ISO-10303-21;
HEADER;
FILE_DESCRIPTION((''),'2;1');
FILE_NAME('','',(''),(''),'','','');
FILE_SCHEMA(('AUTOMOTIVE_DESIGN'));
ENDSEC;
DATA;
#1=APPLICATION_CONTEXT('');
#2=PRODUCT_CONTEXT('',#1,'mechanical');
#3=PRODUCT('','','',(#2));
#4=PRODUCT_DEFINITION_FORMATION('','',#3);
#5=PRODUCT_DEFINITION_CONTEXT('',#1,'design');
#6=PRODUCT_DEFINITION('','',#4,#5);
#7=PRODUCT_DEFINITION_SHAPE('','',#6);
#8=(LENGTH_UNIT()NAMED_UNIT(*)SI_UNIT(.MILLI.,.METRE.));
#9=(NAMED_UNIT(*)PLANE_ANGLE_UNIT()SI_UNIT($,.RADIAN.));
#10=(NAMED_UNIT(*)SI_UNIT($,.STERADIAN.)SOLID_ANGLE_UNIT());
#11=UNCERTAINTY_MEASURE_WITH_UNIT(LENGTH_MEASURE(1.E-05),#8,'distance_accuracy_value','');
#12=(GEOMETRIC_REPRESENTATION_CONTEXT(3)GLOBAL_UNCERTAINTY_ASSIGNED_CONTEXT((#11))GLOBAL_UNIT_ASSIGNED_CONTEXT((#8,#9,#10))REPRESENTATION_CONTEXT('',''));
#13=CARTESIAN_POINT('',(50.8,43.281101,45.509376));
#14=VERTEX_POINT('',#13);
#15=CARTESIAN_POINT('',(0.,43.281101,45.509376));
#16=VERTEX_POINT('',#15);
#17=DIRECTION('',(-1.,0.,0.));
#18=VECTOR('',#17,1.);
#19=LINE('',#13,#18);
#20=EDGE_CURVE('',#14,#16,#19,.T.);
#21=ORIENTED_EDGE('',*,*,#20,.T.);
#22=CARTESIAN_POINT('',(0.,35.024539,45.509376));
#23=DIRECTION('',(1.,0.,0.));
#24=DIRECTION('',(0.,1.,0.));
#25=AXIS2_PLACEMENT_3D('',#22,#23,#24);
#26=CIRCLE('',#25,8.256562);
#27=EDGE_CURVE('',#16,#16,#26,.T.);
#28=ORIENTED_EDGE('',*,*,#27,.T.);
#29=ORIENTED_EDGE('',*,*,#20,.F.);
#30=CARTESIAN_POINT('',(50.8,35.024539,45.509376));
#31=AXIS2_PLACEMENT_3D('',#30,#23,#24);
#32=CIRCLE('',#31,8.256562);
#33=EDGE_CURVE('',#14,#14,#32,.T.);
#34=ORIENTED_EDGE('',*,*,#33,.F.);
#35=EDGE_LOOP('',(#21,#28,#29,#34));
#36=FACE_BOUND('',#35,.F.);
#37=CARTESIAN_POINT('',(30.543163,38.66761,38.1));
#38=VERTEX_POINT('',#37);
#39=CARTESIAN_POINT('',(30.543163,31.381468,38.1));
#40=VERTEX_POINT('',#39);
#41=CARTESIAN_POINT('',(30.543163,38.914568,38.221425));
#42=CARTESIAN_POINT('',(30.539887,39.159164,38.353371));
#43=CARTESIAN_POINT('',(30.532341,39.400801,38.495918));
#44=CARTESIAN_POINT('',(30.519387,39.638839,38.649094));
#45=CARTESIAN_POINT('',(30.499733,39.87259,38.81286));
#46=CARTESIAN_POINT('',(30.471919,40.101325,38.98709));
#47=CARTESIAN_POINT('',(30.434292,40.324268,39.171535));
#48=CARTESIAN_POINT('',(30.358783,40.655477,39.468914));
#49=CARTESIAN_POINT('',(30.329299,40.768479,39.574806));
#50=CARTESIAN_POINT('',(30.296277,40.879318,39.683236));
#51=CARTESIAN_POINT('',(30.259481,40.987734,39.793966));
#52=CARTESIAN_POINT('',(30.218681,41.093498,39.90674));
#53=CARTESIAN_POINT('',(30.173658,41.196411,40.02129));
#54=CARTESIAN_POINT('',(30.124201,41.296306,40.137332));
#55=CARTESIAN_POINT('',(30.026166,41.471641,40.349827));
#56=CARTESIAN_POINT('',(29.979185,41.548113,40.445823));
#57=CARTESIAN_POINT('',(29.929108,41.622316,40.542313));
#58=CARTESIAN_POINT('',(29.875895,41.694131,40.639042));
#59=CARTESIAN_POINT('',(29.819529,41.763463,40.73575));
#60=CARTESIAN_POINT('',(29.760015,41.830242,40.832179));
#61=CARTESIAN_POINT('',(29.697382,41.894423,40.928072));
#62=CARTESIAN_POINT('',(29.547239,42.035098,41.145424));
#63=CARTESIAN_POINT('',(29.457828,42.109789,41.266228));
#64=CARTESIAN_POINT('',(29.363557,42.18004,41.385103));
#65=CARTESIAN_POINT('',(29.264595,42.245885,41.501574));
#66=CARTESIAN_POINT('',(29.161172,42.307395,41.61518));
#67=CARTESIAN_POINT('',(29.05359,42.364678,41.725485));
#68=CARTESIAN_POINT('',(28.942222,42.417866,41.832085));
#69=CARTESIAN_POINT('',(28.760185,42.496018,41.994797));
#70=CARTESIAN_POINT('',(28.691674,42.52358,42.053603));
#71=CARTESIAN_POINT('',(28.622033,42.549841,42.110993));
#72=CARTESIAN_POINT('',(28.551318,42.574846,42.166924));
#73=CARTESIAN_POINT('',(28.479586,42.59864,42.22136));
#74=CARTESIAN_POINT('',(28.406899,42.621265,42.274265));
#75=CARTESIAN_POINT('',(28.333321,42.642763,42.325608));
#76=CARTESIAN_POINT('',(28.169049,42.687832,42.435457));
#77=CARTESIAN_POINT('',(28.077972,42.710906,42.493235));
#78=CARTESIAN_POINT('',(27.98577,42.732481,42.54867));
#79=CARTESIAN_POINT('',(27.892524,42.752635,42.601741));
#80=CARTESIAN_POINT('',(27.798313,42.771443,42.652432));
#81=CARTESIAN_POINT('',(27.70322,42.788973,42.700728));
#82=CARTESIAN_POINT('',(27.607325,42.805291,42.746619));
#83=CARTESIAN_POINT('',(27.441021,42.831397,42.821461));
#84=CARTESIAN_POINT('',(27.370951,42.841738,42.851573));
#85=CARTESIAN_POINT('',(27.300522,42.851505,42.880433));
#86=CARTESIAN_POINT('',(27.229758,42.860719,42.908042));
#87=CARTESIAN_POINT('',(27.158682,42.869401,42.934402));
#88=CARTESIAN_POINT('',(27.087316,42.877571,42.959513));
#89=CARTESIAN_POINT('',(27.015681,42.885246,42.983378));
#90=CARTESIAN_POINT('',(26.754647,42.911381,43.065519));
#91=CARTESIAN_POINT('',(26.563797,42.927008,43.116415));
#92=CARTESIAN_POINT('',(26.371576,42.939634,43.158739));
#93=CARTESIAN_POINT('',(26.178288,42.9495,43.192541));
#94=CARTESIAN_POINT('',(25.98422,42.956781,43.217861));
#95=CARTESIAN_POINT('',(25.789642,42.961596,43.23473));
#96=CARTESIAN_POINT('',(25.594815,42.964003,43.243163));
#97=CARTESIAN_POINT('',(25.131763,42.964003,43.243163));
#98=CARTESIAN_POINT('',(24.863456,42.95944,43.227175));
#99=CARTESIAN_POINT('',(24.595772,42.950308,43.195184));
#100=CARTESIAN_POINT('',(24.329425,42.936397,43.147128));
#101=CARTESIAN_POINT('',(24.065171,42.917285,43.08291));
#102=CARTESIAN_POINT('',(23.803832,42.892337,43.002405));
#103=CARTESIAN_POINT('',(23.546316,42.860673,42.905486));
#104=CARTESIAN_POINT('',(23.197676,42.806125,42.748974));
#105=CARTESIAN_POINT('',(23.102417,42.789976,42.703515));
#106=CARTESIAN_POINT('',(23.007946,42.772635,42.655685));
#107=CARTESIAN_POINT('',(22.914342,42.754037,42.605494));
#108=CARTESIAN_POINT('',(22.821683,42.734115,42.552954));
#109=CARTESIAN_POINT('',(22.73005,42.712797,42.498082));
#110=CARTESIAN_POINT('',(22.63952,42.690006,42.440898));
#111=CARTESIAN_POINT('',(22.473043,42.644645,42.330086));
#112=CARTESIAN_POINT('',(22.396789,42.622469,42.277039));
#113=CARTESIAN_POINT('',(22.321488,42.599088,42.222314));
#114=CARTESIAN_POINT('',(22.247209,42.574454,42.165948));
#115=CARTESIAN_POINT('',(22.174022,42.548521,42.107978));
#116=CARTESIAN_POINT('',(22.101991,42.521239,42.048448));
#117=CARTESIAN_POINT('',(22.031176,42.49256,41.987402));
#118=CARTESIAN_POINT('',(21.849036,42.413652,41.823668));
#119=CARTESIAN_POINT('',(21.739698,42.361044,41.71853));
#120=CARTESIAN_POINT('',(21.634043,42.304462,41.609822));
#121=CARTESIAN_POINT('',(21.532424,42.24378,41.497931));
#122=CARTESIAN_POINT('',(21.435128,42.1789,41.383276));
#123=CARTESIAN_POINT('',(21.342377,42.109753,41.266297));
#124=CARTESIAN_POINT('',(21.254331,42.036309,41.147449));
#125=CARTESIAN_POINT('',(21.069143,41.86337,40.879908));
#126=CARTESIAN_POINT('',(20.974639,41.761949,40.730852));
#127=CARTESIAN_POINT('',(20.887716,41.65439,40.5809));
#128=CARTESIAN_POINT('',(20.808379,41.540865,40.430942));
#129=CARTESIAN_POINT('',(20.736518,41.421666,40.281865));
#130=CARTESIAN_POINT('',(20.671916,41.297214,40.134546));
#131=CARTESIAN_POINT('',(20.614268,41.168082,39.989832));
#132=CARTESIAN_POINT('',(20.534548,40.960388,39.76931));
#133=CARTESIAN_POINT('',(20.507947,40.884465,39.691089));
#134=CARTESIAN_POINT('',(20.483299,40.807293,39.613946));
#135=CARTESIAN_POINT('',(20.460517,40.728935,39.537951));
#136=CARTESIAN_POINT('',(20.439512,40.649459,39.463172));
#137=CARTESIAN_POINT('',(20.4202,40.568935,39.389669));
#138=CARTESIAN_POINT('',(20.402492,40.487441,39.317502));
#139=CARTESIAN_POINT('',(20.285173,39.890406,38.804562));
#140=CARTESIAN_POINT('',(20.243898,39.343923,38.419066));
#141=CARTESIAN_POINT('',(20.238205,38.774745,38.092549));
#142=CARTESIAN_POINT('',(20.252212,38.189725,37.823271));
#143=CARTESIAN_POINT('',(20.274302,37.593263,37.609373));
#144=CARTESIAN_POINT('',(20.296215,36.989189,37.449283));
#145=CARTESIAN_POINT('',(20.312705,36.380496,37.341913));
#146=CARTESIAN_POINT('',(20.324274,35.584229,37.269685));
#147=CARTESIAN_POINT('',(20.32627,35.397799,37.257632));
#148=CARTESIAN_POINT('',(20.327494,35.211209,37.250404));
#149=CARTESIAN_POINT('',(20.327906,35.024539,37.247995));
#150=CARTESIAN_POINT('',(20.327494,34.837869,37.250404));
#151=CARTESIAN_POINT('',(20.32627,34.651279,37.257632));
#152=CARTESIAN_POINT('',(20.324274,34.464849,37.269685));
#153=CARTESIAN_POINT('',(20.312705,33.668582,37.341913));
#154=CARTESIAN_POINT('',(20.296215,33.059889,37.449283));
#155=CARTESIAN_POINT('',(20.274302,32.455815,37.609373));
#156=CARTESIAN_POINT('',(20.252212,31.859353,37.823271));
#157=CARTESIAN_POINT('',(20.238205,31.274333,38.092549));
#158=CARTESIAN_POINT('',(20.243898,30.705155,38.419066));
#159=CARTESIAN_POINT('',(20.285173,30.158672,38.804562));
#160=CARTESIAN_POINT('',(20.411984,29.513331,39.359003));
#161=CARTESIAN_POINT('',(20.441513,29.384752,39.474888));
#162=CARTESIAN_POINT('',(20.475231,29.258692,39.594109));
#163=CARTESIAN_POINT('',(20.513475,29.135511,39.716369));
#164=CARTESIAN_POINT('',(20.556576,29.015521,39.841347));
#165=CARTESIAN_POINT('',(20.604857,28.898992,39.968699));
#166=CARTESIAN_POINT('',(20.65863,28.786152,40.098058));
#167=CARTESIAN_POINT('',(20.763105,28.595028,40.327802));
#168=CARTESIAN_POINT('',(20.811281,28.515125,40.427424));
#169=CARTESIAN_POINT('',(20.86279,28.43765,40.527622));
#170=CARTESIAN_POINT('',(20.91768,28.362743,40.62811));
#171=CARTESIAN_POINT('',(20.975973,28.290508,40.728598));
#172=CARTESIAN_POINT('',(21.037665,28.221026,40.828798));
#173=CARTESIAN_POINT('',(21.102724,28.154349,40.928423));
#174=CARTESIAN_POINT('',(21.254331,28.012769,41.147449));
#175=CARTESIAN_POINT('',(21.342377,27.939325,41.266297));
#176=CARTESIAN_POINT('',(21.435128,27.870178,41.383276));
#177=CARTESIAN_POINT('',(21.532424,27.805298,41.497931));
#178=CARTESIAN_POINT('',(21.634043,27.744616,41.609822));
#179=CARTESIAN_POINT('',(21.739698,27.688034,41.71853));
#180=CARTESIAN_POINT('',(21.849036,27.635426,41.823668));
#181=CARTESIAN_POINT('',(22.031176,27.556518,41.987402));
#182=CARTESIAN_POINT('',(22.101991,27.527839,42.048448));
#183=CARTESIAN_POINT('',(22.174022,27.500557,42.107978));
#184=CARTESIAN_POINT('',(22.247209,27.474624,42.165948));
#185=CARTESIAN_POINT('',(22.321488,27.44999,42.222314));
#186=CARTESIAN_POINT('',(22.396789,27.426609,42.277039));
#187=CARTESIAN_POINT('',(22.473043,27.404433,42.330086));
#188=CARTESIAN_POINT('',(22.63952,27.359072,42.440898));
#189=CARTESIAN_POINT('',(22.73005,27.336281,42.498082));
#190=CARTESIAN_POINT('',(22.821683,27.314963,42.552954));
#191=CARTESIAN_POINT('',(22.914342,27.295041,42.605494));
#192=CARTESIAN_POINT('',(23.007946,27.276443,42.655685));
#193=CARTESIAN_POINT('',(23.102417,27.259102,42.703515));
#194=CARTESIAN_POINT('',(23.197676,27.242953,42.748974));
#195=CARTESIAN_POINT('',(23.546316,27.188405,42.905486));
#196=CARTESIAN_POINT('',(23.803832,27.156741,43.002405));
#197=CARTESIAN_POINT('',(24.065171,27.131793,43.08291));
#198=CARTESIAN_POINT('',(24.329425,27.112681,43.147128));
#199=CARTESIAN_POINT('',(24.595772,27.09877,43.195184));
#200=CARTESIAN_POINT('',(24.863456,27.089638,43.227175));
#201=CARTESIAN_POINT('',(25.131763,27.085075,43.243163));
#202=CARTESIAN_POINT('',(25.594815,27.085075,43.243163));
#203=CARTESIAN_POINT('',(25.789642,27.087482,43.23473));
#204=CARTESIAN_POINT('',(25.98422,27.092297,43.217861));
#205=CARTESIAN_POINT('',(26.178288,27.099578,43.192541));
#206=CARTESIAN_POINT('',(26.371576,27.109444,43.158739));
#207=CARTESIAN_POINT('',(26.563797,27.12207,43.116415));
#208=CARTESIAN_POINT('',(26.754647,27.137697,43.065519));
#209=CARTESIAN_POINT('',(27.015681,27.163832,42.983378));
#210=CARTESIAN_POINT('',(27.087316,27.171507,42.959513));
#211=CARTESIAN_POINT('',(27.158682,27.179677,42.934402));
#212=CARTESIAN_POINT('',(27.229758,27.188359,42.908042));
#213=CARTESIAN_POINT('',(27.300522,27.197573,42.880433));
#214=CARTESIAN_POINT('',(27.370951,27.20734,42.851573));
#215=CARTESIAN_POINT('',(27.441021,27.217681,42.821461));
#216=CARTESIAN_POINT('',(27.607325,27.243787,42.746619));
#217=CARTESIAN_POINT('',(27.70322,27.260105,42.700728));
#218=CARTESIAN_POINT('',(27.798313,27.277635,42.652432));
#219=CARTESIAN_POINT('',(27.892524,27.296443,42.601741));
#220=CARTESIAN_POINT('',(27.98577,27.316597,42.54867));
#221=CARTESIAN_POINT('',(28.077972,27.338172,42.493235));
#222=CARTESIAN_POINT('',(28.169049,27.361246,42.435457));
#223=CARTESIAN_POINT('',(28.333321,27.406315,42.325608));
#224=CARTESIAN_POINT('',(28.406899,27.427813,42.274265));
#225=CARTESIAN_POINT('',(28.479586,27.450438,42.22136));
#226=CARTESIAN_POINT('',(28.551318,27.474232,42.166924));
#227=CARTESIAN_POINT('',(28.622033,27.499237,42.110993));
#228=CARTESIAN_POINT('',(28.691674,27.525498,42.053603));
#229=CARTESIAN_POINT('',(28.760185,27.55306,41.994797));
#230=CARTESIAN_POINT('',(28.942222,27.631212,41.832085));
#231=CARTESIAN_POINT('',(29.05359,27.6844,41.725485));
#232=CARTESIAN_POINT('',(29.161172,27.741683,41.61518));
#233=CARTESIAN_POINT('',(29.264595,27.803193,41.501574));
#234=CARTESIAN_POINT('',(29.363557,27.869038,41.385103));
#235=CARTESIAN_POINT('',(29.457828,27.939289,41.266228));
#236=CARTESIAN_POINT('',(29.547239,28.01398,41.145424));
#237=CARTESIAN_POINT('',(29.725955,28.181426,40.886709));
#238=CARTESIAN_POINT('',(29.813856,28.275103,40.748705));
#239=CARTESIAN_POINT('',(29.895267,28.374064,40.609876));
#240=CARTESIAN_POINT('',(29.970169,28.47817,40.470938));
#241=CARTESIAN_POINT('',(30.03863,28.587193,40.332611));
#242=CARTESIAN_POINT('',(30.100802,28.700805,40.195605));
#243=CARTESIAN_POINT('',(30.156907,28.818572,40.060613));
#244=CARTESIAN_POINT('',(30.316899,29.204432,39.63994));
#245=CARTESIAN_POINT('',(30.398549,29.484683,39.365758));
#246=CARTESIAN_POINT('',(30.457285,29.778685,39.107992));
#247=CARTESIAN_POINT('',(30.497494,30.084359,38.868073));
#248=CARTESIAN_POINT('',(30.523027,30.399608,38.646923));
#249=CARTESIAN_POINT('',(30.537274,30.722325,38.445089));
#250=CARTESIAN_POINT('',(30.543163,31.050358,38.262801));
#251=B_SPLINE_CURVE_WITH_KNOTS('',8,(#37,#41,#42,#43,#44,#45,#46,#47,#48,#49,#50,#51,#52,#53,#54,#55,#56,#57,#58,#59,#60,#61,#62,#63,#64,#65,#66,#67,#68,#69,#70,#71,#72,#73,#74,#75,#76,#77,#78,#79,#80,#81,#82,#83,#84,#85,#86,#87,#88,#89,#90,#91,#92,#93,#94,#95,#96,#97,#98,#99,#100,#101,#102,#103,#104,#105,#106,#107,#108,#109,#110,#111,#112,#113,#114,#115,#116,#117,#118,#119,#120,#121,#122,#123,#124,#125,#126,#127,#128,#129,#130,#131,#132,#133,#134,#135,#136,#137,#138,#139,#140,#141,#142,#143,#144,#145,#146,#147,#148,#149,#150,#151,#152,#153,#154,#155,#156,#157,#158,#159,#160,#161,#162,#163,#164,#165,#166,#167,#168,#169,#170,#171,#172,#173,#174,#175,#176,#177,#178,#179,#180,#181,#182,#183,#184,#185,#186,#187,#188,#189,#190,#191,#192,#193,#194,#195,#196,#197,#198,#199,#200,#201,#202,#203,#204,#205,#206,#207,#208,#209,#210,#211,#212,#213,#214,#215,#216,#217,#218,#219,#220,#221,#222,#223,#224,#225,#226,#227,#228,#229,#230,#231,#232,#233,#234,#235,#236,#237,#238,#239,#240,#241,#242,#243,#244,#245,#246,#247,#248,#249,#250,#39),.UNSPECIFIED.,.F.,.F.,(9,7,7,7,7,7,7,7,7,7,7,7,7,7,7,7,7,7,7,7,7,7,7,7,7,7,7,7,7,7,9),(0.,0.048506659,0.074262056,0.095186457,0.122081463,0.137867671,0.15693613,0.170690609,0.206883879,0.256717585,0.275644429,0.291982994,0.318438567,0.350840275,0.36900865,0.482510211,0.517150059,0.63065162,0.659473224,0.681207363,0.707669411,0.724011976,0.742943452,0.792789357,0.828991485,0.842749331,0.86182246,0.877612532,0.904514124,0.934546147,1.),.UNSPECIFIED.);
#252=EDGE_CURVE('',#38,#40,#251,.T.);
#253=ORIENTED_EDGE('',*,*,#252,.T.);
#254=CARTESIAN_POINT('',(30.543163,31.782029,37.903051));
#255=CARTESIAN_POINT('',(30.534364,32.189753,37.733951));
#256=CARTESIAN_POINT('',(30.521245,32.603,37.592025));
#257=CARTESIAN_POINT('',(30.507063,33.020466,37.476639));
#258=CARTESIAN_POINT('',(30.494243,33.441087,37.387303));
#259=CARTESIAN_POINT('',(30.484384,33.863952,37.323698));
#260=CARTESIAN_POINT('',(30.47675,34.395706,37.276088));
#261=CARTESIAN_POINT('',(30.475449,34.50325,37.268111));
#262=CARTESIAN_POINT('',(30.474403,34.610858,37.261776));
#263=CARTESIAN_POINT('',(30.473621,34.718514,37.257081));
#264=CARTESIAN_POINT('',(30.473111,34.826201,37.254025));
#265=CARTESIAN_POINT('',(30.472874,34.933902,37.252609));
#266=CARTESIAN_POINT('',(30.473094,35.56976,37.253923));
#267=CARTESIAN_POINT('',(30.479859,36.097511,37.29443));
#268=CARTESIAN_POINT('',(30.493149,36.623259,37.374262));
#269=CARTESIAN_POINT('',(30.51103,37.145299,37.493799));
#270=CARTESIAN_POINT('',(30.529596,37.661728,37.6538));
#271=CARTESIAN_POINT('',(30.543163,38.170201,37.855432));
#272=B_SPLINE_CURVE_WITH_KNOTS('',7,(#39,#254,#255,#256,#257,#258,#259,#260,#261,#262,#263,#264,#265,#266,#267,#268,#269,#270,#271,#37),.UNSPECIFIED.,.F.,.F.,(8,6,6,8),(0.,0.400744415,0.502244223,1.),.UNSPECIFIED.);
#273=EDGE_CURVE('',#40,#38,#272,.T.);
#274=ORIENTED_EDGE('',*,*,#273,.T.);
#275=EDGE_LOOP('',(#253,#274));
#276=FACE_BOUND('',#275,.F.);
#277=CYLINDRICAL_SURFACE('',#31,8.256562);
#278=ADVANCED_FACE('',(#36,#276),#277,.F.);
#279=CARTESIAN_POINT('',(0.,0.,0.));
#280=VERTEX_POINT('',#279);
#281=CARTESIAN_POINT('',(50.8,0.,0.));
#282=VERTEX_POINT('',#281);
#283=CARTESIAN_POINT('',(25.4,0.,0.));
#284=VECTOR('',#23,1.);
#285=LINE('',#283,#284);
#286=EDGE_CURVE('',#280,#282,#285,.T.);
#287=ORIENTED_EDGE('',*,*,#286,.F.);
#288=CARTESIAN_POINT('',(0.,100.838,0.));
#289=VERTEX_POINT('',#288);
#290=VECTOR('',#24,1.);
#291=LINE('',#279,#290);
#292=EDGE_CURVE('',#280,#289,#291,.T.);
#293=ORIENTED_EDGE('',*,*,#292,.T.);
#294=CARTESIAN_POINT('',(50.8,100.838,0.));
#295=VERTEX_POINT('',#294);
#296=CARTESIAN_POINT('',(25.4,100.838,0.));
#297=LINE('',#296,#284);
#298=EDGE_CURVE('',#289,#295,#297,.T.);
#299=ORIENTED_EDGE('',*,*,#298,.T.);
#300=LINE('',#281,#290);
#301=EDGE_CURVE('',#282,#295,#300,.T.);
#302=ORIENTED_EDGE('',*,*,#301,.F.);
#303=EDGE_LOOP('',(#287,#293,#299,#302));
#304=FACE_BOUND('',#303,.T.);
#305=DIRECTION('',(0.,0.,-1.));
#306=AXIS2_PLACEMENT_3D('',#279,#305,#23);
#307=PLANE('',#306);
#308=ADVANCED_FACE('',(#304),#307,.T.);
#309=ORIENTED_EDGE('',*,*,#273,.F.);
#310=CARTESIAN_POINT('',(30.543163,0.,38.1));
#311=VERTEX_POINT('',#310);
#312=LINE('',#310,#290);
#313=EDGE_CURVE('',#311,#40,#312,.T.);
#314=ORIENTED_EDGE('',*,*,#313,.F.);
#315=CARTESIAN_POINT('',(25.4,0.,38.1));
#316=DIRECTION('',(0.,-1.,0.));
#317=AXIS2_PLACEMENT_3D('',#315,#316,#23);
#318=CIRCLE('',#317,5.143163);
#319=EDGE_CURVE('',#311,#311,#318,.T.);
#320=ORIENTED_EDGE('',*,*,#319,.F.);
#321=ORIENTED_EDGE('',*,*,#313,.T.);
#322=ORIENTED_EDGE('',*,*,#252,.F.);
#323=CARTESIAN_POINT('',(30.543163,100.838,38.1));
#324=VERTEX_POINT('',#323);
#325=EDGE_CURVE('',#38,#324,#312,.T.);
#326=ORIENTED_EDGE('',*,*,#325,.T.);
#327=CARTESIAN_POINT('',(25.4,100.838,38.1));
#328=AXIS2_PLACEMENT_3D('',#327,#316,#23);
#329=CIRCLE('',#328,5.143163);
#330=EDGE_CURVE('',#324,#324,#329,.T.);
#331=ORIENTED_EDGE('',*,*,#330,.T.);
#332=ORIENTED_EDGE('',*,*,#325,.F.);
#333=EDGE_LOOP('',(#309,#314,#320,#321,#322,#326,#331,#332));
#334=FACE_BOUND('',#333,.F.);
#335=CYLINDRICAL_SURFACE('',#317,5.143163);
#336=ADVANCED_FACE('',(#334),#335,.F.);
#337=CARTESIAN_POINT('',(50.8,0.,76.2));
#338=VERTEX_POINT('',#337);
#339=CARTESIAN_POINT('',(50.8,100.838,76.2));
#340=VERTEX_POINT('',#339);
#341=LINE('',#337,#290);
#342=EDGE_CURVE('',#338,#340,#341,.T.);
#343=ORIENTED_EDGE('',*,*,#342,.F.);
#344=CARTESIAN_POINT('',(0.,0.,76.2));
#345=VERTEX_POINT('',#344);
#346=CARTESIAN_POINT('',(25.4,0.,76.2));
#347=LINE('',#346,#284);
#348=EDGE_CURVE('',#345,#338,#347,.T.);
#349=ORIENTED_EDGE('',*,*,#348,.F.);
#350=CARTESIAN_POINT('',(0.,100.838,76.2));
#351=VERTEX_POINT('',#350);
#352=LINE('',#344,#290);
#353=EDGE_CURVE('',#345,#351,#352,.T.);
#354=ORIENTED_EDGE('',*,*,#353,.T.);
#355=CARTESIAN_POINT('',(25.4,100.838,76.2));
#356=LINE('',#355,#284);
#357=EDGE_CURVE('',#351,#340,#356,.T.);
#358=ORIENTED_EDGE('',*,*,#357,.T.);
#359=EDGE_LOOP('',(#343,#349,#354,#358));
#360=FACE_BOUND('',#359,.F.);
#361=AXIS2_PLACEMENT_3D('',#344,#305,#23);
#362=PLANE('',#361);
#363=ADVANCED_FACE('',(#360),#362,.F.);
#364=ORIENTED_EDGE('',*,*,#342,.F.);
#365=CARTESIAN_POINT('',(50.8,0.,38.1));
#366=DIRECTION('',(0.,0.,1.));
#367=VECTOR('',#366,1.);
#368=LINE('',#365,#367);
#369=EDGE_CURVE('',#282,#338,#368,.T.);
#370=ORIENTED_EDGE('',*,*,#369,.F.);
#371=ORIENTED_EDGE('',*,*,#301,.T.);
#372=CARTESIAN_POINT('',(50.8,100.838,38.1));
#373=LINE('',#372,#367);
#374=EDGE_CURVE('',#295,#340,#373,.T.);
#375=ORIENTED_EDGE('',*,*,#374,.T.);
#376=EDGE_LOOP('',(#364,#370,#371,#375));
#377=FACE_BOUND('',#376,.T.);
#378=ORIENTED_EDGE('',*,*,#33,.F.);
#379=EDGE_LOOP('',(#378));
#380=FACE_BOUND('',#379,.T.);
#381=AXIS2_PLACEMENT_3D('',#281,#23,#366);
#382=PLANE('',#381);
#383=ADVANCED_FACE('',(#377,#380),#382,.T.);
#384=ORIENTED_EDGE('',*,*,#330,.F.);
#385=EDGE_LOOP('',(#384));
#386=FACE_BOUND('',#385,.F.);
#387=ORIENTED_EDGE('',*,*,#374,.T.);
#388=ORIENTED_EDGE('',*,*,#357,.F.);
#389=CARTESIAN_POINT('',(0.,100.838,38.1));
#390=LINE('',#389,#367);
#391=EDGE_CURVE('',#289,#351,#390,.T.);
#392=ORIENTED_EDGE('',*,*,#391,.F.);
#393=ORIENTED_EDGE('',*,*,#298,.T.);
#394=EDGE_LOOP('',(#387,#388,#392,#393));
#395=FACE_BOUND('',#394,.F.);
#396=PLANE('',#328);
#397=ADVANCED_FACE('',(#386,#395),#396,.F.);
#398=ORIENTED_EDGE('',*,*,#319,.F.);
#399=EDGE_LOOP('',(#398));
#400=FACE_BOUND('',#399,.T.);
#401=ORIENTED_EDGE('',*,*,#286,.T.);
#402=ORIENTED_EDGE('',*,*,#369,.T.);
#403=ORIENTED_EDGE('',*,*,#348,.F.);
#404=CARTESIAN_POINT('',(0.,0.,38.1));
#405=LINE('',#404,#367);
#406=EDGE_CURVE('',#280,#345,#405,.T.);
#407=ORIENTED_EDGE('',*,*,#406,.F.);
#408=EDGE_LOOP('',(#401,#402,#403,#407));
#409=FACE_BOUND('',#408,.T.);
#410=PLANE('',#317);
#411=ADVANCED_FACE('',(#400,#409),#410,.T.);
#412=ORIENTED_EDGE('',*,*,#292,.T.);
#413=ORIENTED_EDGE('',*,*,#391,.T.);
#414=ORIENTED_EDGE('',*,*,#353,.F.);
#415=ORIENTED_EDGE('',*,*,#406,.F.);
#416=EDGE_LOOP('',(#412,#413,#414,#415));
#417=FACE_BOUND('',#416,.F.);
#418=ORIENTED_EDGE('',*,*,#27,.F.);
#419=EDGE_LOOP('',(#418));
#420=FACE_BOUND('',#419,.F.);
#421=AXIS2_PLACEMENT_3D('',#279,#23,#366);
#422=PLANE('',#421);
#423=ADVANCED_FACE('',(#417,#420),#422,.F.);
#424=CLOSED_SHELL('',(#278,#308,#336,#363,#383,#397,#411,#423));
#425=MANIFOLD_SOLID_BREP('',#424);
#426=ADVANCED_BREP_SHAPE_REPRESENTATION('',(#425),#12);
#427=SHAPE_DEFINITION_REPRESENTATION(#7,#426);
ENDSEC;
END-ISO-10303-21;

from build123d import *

# Parameters (mm, degrees)
F0_W     = 50.8
F0_H     = 76.2
F0_R     = 5.143163
F1_DEPTH = 100.838
F2_R     = 8.256562
F3_DEPTH = 98.044


with BuildPart() as f1:
    # F0 (on Front) → F1 (new body)
    with BuildSketch(Plane.XZ):
        with Locations((25.4, 38.1)):
            Rectangle(F0_W, F0_H)
        with Locations((25.4, 38.1)):
            Circle(F0_R, mode=Mode.SUBTRACT)
    extrude(amount=-F1_DEPTH)

    # F2 (on face) → F3 (cut)
    with BuildSketch(Plane.YZ.offset(50.8)):
        with Locations((35.024539, 45.509376)):
            Circle(F2_R)
    extrude(amount=-F3_DEPTH, mode=Mode.SUBTRACT)


solid = f1.part
